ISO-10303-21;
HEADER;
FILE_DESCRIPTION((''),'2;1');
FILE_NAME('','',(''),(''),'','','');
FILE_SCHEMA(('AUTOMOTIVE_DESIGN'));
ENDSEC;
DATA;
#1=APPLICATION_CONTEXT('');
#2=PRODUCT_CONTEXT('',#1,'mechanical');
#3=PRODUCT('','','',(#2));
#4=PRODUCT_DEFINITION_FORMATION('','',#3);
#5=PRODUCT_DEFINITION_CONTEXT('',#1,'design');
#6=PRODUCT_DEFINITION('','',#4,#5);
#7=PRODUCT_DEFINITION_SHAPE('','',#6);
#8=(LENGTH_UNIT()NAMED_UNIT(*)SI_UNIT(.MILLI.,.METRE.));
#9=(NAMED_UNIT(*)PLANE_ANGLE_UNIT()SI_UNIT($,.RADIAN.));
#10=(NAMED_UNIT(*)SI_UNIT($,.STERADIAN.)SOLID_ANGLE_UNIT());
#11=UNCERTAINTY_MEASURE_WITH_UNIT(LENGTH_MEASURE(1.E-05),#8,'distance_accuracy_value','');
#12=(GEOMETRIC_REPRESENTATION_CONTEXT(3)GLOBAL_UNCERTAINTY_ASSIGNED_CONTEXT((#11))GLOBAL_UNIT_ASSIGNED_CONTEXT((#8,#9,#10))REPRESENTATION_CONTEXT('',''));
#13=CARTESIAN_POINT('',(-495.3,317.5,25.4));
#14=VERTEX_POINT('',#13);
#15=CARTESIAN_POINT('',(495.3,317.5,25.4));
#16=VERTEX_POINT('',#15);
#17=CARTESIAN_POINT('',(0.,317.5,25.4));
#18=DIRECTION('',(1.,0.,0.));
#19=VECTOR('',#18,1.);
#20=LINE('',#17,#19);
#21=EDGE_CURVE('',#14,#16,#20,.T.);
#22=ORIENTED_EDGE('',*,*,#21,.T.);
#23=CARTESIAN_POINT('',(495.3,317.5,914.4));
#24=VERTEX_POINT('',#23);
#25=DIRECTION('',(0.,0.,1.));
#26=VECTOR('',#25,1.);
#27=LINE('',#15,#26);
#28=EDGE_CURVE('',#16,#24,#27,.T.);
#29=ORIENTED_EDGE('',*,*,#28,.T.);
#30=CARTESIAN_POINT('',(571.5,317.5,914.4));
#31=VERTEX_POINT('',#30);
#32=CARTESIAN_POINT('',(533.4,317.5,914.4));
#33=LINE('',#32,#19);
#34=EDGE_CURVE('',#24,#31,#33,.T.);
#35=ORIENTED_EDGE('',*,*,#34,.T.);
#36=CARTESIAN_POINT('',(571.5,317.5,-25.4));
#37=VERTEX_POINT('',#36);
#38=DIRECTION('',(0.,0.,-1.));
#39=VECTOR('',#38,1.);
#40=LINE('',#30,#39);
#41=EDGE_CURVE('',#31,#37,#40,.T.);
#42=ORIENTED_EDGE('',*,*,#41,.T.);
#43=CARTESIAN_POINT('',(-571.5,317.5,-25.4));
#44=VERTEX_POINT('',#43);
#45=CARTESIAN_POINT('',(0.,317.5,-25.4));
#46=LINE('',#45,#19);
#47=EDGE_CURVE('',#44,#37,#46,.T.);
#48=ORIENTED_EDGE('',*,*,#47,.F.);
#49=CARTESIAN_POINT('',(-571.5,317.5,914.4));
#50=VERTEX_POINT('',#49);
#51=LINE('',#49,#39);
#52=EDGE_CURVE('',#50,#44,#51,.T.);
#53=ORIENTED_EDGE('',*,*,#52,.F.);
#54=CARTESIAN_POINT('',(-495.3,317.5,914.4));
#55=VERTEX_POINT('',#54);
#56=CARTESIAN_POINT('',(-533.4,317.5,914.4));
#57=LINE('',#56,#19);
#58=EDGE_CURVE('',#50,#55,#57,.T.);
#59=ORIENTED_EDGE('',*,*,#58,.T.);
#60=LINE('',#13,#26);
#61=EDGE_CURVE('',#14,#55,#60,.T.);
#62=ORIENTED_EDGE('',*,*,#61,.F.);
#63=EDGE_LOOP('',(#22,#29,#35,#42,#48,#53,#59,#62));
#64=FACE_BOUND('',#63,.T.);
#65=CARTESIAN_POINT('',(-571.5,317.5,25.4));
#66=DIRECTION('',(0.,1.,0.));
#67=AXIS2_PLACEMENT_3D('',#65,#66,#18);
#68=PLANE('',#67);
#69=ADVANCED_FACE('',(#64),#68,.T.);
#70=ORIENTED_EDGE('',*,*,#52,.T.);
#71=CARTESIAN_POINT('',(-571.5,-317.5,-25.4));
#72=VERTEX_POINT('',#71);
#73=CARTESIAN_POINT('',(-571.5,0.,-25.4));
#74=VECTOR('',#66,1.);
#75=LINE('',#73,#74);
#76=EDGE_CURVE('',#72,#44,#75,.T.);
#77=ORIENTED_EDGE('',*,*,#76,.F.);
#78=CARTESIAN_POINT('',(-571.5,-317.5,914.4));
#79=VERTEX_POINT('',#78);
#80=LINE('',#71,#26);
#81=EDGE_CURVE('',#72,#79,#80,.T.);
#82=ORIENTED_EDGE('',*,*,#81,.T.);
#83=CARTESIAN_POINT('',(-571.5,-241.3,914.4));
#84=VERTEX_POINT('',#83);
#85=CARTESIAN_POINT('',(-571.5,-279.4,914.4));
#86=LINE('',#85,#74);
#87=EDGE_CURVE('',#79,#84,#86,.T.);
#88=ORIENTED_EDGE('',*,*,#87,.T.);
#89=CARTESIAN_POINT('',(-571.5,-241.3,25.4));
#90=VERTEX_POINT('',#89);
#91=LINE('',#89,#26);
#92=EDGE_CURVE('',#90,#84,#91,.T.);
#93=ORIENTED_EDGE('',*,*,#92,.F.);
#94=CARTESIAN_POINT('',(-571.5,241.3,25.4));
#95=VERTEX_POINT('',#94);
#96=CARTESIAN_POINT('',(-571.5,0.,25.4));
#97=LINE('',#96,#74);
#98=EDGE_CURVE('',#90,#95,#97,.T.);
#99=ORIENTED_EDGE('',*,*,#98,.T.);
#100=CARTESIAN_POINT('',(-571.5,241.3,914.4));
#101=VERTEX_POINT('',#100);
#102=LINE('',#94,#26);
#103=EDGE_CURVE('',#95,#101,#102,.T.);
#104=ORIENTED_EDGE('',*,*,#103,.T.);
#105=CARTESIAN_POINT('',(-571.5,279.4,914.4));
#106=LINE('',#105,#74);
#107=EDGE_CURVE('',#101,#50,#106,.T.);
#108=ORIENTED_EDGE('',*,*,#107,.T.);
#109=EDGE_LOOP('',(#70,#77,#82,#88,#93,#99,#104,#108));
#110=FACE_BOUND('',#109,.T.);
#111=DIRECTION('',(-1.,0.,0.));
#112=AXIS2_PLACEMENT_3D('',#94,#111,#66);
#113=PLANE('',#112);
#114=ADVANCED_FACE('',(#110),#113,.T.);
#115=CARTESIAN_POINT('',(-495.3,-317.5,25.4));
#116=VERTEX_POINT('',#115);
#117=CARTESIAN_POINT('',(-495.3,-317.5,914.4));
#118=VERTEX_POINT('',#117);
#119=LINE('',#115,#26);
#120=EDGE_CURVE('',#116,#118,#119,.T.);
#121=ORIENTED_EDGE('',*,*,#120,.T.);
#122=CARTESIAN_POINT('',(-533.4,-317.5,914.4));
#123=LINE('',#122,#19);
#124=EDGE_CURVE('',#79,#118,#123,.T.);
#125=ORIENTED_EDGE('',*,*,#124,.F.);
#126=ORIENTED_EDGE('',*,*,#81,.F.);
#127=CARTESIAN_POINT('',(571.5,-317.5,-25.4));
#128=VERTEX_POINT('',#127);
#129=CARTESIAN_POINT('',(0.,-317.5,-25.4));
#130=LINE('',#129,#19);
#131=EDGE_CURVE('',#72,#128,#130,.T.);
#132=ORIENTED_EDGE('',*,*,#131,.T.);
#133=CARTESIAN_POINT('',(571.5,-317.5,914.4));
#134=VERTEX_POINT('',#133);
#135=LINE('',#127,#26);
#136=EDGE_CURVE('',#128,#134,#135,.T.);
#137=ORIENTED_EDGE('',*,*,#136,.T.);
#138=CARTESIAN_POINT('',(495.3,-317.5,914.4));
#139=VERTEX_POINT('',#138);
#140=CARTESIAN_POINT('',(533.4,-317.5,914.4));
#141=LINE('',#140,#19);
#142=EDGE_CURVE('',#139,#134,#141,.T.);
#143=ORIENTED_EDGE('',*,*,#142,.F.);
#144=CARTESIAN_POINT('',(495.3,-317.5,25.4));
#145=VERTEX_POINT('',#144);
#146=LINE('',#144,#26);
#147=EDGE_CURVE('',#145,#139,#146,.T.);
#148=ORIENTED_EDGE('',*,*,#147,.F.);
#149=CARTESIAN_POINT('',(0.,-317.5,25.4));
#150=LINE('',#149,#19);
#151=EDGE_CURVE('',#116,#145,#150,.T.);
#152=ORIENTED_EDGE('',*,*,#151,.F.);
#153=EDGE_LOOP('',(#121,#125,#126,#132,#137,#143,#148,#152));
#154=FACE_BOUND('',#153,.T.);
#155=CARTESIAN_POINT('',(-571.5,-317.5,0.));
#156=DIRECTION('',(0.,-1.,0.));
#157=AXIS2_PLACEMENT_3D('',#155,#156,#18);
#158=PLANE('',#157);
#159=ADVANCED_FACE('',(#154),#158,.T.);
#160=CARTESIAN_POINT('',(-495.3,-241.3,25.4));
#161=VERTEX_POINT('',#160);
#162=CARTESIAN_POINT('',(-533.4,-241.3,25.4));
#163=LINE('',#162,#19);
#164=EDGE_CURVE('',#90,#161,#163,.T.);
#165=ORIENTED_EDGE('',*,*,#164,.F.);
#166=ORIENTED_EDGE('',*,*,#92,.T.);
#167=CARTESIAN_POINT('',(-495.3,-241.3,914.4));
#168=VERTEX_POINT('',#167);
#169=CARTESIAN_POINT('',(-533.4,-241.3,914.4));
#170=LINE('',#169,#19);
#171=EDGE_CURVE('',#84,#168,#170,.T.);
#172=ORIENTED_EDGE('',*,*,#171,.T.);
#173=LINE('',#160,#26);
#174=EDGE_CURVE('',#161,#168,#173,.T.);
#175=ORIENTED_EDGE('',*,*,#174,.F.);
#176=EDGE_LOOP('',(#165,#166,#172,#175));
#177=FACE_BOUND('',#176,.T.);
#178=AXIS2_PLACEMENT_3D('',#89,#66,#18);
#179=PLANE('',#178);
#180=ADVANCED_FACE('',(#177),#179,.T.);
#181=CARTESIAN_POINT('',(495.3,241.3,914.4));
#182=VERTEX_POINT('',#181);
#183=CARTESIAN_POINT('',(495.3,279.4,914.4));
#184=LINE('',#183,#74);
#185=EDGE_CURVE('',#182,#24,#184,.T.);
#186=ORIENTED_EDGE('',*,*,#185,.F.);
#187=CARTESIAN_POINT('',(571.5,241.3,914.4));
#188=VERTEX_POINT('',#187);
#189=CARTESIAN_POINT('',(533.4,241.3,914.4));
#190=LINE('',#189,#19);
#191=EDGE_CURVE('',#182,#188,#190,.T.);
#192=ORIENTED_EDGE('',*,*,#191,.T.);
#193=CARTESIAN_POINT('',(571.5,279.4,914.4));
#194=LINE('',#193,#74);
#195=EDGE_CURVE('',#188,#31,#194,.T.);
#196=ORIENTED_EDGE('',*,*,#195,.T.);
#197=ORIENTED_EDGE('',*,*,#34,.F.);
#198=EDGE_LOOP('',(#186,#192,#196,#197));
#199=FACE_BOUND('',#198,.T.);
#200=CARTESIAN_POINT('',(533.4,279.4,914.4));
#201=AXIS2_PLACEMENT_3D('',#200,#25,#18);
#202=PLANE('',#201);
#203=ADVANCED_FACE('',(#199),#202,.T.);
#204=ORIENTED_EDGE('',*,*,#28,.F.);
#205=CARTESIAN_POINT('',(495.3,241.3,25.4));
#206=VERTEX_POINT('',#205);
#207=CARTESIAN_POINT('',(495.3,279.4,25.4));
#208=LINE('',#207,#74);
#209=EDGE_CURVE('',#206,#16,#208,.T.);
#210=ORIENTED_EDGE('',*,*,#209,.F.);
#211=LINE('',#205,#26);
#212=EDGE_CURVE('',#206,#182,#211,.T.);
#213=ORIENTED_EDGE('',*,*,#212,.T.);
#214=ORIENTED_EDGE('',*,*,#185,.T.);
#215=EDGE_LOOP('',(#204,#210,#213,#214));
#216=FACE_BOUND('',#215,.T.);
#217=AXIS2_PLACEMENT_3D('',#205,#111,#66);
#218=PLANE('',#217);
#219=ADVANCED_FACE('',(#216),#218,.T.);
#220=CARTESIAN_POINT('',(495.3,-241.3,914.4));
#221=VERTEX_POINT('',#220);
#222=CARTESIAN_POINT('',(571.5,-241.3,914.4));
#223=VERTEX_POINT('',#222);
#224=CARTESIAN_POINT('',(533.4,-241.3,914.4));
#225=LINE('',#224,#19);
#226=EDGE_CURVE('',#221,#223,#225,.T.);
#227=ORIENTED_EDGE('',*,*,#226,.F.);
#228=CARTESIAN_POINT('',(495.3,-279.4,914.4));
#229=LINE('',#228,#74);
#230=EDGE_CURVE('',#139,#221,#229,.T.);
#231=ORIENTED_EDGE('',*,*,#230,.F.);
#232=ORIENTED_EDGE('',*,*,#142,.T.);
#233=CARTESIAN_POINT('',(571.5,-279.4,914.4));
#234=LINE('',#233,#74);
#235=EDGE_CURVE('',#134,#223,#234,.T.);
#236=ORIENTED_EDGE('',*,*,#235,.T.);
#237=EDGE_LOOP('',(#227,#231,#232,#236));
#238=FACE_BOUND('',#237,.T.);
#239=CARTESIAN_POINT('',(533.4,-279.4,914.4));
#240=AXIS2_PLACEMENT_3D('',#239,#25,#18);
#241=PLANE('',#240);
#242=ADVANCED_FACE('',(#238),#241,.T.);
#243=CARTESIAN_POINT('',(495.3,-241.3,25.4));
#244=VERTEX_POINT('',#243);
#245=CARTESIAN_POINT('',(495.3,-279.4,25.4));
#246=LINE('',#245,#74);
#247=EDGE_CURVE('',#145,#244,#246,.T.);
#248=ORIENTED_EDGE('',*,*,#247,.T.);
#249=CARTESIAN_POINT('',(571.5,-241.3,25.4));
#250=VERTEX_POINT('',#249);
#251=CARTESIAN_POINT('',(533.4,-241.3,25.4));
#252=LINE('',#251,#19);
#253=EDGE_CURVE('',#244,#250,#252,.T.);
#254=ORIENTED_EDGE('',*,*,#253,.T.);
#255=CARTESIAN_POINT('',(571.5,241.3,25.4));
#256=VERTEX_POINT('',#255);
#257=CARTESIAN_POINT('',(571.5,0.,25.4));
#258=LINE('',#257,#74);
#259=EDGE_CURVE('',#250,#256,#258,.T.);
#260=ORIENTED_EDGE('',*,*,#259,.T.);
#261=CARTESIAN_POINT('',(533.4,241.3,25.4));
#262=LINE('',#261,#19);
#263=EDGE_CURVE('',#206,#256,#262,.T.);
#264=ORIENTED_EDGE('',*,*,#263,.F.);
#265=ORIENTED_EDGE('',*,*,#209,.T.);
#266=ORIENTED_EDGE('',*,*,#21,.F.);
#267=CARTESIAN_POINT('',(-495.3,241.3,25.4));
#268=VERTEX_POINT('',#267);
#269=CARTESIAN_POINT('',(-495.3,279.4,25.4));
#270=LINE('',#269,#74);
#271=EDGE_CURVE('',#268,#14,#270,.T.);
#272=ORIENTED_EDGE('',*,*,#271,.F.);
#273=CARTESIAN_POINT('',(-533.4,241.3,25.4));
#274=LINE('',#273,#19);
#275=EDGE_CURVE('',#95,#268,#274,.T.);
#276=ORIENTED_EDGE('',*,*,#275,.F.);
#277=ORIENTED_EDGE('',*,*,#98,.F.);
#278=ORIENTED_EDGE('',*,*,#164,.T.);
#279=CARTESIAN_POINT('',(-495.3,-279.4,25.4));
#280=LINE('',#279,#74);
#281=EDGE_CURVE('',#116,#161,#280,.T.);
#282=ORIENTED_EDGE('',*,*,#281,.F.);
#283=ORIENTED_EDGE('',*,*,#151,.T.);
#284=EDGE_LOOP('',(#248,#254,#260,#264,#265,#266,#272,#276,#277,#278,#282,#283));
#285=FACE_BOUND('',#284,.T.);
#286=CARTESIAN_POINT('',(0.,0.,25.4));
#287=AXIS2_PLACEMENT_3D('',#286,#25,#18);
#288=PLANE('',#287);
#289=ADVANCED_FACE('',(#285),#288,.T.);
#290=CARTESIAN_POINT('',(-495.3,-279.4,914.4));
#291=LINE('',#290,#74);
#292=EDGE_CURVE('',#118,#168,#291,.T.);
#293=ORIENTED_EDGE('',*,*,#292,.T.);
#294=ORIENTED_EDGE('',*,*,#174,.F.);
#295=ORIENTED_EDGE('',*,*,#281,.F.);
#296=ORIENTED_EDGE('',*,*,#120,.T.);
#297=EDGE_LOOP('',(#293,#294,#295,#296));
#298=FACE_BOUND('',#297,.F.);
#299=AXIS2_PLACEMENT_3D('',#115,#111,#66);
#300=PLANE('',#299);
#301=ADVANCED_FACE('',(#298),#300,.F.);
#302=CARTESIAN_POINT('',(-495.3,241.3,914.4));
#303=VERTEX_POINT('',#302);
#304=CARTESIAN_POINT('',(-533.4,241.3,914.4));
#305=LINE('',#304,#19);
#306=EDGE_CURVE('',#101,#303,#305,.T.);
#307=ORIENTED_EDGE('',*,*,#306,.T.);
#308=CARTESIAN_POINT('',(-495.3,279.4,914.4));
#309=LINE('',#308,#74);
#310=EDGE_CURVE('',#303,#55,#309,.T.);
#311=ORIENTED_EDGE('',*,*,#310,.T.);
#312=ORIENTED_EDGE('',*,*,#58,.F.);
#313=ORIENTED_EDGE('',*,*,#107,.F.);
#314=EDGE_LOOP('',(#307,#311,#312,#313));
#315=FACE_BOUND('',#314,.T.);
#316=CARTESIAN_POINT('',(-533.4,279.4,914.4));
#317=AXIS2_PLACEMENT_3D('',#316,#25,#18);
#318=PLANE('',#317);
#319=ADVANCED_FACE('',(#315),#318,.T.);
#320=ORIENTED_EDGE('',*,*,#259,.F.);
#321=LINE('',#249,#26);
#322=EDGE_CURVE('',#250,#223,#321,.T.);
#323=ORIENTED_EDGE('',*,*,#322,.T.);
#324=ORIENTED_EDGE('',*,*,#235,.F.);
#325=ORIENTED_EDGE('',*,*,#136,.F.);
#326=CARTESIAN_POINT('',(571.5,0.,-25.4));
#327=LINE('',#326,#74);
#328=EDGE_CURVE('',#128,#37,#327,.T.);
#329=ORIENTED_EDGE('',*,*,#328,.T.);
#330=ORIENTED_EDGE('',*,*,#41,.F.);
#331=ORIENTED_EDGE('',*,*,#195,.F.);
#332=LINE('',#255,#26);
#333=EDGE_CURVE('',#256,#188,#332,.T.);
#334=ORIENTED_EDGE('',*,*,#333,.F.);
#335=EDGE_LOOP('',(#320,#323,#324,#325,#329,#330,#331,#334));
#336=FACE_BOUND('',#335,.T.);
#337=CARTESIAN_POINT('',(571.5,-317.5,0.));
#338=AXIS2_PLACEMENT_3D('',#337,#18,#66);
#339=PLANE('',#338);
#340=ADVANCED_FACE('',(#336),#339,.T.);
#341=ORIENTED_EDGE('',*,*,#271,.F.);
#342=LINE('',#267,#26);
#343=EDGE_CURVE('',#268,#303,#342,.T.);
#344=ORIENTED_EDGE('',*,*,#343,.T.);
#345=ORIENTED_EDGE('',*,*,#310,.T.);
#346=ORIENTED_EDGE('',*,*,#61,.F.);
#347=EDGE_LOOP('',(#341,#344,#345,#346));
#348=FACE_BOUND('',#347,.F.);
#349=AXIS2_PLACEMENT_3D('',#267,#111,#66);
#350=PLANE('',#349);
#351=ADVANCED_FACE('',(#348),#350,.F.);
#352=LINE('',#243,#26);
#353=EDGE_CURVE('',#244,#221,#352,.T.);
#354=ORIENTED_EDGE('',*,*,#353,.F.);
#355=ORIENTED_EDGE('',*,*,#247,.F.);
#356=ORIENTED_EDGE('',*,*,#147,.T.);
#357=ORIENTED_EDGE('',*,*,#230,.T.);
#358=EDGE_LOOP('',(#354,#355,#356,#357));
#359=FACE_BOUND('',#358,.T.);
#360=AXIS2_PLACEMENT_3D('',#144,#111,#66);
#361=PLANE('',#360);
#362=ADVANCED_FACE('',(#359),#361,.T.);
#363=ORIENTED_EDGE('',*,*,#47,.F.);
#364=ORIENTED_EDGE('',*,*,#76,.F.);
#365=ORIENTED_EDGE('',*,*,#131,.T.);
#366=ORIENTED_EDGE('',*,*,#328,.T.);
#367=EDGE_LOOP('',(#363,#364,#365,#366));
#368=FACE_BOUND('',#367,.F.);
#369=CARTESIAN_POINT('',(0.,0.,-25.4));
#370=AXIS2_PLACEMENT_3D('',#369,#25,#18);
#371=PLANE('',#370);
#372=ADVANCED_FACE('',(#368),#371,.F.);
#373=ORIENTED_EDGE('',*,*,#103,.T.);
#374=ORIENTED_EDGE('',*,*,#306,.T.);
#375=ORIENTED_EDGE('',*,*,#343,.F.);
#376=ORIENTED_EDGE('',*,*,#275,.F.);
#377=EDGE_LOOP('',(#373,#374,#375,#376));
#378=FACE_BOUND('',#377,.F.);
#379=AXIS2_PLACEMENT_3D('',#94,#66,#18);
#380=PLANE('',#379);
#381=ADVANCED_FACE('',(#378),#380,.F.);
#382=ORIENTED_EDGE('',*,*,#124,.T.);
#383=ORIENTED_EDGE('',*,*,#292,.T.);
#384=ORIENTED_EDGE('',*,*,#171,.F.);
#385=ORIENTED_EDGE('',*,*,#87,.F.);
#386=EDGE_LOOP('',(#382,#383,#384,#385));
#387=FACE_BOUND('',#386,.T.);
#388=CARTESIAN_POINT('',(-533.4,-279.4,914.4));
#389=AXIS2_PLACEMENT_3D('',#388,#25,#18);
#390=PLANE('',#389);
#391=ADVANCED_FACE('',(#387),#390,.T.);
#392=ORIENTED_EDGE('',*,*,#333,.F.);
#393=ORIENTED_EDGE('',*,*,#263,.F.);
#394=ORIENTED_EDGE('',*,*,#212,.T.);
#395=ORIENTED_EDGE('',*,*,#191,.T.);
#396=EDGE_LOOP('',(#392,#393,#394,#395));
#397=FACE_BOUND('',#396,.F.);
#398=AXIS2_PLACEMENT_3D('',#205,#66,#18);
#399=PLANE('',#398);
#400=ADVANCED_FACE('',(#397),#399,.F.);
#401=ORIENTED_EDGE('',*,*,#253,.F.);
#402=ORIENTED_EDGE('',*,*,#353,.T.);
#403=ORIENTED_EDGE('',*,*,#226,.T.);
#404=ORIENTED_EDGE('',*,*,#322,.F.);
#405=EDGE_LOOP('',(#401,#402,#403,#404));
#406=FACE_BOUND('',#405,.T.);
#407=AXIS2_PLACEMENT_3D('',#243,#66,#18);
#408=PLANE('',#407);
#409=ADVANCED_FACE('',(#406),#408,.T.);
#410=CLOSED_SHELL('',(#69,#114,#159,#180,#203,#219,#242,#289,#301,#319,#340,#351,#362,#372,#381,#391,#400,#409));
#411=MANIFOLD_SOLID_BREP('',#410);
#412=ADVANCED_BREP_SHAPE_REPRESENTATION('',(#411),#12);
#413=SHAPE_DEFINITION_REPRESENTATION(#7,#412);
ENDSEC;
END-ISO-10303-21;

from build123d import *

# Parameters (mm, degrees)
F0_W     = 1143
F0_H     = 635
F1_DEPTH = 25.4
F2_W     = 76.2
F2_H     = 76.2
F3_DEPTH = 889


with BuildPart() as f1:
    # F0 (on Top) → F1 (new body, symmetric)
    with BuildSketch(Plane.XY):
        Rectangle(F0_W, F0_H)
    extrude(amount=F1_DEPTH, both=True)

    # F2 (on face) → F3 (join)
    with BuildSketch(Plane.XY.offset(25.4)):
        with Locations((-533.4, 279.4)):
            Rectangle(F2_W, F2_H)
        with Locations((-533.4, -279.4)):
            Rectangle(F2_W, F2_H)
        with Locations((533.4, 279.4)):
            Rectangle(F2_W, F2_H)
        with Locations((533.4, -279.4)):
            Rectangle(F2_W, F2_H)
    extrude(amount=F3_DEPTH)


solid = f1.part
